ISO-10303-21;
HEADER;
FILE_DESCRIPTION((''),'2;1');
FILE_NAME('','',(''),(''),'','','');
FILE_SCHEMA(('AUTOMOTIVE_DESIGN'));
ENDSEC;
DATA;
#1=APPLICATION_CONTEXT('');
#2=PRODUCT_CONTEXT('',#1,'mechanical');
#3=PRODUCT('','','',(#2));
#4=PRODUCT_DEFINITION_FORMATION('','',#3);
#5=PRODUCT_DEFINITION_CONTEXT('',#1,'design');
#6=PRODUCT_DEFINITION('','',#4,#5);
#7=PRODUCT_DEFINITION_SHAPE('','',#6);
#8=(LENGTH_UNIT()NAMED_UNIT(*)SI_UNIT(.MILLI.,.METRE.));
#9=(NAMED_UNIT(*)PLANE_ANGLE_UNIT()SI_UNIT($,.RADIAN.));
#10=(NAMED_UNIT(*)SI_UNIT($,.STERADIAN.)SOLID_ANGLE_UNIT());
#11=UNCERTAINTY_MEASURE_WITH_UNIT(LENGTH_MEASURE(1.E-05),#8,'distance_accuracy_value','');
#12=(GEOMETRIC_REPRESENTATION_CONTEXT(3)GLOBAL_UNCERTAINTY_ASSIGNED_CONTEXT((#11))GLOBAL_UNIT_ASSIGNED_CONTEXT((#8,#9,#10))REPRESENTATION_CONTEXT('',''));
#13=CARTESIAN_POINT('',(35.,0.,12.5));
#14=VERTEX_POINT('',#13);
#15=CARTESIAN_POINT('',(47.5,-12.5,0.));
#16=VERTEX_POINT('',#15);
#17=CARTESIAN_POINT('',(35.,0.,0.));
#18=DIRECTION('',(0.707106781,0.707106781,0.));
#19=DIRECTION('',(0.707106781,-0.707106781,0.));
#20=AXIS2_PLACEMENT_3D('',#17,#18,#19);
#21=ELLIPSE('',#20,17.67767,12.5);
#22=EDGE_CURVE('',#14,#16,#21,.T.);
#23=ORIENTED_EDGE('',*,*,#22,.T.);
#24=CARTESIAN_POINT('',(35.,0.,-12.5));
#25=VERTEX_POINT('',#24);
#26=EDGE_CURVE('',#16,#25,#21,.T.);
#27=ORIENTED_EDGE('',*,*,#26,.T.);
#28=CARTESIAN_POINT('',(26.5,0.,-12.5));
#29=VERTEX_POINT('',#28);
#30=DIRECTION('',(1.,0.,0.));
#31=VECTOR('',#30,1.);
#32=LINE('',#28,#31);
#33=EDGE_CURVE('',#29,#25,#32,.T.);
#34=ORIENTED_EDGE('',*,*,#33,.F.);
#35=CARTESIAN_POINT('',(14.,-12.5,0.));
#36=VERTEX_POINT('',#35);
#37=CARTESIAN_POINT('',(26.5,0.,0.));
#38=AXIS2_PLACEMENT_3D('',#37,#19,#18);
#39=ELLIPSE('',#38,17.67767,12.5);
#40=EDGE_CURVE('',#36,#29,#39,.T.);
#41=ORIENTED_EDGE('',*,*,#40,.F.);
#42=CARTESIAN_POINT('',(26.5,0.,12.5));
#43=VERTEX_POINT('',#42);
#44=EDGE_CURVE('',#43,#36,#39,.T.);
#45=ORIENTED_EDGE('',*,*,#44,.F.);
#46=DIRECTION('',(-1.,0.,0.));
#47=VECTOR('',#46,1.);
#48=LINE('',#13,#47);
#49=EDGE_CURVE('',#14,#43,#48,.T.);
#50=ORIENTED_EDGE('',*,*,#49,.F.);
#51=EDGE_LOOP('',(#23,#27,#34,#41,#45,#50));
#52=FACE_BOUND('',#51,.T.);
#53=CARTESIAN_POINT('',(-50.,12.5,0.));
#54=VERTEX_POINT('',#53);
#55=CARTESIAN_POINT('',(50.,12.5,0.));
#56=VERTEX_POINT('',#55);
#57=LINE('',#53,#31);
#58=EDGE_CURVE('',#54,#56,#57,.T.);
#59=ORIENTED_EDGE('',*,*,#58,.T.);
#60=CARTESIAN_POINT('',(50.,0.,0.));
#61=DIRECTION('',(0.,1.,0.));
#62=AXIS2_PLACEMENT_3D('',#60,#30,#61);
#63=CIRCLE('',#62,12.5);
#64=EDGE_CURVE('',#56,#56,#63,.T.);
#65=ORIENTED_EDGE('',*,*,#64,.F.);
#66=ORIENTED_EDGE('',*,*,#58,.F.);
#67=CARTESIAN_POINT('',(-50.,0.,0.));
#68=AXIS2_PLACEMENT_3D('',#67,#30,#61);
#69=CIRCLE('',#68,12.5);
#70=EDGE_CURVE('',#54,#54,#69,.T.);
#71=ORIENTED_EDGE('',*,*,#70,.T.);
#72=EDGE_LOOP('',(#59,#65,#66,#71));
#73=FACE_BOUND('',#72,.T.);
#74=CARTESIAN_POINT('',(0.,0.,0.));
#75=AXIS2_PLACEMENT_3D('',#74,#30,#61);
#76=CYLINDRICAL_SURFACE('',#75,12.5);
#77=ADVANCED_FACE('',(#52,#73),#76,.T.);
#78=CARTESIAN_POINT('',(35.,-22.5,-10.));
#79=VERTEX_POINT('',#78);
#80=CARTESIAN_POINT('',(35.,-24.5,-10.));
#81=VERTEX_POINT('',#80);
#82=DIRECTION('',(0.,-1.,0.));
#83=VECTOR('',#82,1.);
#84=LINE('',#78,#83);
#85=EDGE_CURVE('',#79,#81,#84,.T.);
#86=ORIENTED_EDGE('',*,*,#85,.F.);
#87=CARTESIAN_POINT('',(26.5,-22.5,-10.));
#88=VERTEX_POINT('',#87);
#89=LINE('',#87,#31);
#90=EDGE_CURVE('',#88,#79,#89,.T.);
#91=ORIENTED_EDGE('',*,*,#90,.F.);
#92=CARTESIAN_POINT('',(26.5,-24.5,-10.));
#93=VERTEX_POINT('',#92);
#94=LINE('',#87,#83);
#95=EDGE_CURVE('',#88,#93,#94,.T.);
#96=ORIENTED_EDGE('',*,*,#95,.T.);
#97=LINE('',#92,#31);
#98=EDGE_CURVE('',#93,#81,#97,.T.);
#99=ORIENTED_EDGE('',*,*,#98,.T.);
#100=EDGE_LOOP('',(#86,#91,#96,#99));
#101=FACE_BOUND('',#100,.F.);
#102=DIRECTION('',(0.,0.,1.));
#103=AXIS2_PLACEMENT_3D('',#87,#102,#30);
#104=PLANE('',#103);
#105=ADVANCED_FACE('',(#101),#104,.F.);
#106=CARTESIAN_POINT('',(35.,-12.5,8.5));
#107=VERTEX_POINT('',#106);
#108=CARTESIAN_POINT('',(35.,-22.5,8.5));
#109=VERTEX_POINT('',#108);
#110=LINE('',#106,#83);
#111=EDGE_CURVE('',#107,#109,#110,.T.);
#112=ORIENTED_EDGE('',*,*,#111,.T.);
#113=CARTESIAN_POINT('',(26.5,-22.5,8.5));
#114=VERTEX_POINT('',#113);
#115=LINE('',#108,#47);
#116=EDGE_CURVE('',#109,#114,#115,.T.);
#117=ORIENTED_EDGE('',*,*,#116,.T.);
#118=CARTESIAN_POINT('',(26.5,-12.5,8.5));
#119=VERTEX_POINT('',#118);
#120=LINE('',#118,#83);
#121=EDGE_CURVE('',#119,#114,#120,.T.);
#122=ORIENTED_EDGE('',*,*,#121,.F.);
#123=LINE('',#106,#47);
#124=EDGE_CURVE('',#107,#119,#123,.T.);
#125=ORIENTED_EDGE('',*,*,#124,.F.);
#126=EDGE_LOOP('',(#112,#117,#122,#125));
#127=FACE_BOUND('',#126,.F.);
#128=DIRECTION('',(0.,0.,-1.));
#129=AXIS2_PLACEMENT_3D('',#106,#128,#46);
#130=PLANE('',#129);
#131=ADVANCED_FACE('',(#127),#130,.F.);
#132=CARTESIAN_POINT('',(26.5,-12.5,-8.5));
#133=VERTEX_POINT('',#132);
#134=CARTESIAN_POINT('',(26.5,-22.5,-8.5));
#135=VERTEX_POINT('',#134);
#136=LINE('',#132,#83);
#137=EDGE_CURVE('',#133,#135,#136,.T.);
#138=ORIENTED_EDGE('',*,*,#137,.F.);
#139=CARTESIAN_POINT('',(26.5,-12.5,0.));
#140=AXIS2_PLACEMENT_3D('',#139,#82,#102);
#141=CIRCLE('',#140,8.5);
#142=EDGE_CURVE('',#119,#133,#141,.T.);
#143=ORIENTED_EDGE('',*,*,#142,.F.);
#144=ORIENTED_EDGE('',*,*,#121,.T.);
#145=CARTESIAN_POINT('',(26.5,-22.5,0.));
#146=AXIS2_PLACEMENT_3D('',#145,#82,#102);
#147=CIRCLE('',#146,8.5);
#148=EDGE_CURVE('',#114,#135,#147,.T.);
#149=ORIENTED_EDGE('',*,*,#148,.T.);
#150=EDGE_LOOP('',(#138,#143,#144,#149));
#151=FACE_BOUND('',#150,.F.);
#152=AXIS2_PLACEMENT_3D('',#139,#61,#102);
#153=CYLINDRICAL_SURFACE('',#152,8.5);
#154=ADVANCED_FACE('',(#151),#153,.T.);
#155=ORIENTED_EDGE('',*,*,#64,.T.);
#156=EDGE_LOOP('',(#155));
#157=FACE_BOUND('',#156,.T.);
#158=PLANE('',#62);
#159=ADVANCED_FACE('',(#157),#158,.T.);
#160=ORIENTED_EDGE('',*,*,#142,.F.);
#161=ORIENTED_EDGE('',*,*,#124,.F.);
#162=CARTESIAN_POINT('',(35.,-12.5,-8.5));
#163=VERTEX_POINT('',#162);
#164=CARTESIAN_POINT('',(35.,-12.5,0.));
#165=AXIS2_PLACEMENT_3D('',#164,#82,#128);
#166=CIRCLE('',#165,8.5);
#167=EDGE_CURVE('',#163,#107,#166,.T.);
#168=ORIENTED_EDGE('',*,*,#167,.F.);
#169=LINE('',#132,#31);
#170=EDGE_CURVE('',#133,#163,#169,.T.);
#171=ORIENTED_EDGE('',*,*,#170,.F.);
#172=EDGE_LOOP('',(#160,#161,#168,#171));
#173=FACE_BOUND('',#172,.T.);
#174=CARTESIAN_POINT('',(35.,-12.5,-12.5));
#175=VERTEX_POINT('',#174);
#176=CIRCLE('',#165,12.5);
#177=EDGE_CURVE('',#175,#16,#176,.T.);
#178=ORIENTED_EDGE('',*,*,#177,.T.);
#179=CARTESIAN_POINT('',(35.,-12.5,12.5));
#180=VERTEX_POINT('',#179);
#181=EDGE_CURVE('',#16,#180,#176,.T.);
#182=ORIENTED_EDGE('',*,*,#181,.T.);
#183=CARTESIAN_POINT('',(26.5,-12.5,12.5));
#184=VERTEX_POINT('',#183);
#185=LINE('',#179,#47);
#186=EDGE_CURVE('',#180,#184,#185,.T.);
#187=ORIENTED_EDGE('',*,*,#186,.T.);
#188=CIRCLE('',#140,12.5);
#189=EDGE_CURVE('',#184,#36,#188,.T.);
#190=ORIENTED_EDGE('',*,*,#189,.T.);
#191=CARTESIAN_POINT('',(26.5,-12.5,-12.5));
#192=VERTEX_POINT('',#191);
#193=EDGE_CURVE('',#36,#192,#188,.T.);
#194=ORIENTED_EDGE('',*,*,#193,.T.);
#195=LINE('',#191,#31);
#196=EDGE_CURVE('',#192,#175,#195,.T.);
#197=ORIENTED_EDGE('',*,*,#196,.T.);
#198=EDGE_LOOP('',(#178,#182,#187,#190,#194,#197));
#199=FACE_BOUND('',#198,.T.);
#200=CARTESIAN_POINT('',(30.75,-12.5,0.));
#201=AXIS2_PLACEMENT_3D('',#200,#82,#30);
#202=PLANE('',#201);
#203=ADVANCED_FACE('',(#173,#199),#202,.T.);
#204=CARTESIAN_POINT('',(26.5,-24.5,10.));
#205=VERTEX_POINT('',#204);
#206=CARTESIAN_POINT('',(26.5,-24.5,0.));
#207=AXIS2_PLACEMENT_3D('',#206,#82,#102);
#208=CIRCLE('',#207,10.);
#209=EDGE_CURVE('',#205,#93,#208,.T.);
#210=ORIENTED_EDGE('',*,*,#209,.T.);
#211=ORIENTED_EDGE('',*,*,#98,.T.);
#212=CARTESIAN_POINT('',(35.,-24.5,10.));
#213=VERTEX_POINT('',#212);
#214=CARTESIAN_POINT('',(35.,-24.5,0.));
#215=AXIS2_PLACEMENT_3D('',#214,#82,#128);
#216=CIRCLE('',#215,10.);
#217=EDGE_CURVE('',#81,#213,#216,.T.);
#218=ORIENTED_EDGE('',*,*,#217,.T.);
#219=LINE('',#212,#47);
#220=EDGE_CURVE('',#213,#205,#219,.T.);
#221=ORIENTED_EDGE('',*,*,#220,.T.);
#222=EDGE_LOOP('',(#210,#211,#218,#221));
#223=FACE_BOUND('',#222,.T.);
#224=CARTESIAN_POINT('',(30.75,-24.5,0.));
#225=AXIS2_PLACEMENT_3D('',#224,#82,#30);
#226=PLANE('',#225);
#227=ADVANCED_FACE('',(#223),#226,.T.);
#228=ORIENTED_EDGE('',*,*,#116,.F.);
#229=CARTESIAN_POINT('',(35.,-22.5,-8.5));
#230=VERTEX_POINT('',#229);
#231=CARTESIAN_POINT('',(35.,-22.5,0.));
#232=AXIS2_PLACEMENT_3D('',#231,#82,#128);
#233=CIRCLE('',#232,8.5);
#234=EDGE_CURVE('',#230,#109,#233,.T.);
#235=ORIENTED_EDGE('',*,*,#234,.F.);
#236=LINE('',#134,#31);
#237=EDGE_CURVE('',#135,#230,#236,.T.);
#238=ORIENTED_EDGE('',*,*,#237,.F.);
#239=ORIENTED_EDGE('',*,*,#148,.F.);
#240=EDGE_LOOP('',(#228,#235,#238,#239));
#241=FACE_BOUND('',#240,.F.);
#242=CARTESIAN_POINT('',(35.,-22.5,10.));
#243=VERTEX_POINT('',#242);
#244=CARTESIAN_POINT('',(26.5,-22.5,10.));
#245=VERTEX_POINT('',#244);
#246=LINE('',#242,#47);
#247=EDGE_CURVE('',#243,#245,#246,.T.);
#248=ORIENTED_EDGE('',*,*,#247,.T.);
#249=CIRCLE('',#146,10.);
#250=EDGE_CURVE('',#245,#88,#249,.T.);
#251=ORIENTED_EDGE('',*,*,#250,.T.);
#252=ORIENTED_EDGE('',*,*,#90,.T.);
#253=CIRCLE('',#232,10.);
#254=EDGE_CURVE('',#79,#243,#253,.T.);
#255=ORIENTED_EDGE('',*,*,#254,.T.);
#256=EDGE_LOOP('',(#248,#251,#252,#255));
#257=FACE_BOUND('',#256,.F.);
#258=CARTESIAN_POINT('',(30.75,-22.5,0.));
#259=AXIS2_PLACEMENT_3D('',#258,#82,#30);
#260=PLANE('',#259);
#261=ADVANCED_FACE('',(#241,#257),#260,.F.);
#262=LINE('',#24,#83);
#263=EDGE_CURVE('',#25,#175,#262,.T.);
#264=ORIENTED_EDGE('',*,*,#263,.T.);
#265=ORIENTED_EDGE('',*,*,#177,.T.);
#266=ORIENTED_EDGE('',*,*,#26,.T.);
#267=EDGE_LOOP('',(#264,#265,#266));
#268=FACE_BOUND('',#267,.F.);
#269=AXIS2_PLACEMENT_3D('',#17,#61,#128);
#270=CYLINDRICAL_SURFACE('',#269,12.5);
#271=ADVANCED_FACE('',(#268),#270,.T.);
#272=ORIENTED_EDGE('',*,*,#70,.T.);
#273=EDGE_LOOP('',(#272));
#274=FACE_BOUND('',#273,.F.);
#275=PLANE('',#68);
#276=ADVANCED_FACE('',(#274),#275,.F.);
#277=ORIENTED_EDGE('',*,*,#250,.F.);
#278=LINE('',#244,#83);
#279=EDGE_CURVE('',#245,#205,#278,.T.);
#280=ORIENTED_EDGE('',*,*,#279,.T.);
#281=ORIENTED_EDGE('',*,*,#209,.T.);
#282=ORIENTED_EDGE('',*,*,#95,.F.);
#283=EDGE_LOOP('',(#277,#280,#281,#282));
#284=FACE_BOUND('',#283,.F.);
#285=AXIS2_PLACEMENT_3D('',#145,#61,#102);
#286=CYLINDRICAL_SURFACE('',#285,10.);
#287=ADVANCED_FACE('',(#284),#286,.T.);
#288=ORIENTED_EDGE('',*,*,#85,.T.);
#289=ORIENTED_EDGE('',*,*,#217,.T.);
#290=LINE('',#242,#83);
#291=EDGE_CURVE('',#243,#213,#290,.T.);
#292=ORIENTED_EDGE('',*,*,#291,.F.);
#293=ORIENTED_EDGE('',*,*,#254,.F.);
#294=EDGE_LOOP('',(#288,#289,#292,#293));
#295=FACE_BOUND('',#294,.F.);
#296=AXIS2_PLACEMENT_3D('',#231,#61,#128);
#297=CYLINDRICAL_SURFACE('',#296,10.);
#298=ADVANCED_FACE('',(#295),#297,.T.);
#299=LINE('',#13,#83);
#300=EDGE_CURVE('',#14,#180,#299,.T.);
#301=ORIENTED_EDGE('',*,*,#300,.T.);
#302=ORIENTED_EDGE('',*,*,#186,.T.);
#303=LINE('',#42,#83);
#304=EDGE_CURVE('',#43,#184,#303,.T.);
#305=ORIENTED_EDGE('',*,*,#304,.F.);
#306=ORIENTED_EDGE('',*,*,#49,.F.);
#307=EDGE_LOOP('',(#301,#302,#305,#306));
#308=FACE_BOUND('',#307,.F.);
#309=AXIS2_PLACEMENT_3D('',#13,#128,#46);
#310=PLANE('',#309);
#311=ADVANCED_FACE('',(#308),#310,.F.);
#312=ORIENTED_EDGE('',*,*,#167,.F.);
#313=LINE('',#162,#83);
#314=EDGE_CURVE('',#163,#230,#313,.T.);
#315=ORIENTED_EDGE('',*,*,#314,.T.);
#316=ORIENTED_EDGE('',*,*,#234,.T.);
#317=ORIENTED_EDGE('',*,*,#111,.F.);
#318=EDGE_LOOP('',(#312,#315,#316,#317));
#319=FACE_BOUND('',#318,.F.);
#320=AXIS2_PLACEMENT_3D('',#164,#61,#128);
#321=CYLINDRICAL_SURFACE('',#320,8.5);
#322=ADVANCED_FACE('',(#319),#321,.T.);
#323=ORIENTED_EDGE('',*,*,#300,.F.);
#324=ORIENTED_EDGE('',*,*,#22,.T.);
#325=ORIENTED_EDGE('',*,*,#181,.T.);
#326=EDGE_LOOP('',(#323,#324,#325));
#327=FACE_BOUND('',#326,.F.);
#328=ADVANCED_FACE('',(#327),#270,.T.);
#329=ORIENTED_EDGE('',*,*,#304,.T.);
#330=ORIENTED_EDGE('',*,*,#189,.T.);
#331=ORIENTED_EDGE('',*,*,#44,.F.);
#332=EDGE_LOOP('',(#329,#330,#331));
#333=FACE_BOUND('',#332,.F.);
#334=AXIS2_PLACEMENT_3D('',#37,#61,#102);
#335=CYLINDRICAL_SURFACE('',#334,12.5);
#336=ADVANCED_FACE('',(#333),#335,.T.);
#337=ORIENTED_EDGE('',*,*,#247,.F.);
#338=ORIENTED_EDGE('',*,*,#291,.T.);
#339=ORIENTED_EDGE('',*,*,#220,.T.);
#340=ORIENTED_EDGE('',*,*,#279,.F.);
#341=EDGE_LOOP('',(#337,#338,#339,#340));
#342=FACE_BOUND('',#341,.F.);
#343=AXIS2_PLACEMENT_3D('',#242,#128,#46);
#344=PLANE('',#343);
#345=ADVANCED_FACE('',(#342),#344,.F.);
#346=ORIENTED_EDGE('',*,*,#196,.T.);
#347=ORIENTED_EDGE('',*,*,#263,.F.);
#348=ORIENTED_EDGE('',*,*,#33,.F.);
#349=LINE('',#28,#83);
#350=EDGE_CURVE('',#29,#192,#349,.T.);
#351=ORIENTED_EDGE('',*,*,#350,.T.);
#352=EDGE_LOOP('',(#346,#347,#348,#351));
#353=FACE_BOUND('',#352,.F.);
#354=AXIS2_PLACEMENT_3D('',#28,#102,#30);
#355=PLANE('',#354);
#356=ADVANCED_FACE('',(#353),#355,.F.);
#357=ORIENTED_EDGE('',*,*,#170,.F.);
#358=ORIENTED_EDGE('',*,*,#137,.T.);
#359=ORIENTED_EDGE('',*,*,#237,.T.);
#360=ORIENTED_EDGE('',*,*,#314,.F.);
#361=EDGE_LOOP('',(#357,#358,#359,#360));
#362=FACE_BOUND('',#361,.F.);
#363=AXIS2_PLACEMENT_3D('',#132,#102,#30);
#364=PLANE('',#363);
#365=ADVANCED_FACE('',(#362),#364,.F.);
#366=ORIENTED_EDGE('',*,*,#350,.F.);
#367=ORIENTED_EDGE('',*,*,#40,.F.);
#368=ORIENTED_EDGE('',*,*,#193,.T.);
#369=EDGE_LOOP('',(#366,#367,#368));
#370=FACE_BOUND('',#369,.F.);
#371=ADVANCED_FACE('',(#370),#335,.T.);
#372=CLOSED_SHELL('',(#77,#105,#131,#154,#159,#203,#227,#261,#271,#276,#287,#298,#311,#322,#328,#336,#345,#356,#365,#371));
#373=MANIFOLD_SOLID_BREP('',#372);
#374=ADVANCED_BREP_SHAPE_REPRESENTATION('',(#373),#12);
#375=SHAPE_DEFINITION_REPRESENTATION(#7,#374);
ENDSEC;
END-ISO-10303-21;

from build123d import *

# Parameters (mm, degrees)
F0_R     = 12.5
F1_DEPTH = 50
F3_DEPTH = 12.5
F5_DEPTH = 10
F7_DEPTH = 2


with BuildPart() as f1:
    # F0 (on Right) → F1 (new body, symmetric)
    with BuildSketch(Plane.YZ):
        Circle(F0_R)
    extrude(amount=F1_DEPTH, both=True)

    # F2 (on Front) → F3 (join)
    with BuildSketch(Plane.XZ):
        with BuildLine():
            Line((35, 12.5), (26.5, 12.5))
            ThreePointArc((26.5, 12.5), (14, 0), (26.5, -12.5))
            Line((26.5, -12.5), (35, -12.5))
            ThreePointArc((35, -12.5), (47.5, 0), (35, 12.5))
        make_face()
    extrude(amount=F3_DEPTH)

    # F4 (on face) → F5 (join)
    with BuildSketch(Plane.XZ.offset(12.5)):
        with BuildLine():
            Line((35, 8.5), (26.5, 8.5))
            ThreePointArc((26.5, 8.5), (18, 0), (26.5, -8.5))
            Line((26.5, -8.5), (35, -8.5))
            ThreePointArc((35, -8.5), (43.5, 0), (35, 8.5))
        make_face()
    extrude(amount=F5_DEPTH)

    # F6 (on face) → F7 (join)
    with BuildSketch(Plane.XZ.offset(22.5)):
        with BuildLine():
            Line((35, 10), (26.5, 10))
            ThreePointArc((26.5, 10), (16.5, 0), (26.5, -10))
            Line((26.5, -10), (35, -10))
            ThreePointArc((35, -10), (45, 0), (35, 10))
        make_face()
    extrude(amount=F7_DEPTH)


solid = f1.part
